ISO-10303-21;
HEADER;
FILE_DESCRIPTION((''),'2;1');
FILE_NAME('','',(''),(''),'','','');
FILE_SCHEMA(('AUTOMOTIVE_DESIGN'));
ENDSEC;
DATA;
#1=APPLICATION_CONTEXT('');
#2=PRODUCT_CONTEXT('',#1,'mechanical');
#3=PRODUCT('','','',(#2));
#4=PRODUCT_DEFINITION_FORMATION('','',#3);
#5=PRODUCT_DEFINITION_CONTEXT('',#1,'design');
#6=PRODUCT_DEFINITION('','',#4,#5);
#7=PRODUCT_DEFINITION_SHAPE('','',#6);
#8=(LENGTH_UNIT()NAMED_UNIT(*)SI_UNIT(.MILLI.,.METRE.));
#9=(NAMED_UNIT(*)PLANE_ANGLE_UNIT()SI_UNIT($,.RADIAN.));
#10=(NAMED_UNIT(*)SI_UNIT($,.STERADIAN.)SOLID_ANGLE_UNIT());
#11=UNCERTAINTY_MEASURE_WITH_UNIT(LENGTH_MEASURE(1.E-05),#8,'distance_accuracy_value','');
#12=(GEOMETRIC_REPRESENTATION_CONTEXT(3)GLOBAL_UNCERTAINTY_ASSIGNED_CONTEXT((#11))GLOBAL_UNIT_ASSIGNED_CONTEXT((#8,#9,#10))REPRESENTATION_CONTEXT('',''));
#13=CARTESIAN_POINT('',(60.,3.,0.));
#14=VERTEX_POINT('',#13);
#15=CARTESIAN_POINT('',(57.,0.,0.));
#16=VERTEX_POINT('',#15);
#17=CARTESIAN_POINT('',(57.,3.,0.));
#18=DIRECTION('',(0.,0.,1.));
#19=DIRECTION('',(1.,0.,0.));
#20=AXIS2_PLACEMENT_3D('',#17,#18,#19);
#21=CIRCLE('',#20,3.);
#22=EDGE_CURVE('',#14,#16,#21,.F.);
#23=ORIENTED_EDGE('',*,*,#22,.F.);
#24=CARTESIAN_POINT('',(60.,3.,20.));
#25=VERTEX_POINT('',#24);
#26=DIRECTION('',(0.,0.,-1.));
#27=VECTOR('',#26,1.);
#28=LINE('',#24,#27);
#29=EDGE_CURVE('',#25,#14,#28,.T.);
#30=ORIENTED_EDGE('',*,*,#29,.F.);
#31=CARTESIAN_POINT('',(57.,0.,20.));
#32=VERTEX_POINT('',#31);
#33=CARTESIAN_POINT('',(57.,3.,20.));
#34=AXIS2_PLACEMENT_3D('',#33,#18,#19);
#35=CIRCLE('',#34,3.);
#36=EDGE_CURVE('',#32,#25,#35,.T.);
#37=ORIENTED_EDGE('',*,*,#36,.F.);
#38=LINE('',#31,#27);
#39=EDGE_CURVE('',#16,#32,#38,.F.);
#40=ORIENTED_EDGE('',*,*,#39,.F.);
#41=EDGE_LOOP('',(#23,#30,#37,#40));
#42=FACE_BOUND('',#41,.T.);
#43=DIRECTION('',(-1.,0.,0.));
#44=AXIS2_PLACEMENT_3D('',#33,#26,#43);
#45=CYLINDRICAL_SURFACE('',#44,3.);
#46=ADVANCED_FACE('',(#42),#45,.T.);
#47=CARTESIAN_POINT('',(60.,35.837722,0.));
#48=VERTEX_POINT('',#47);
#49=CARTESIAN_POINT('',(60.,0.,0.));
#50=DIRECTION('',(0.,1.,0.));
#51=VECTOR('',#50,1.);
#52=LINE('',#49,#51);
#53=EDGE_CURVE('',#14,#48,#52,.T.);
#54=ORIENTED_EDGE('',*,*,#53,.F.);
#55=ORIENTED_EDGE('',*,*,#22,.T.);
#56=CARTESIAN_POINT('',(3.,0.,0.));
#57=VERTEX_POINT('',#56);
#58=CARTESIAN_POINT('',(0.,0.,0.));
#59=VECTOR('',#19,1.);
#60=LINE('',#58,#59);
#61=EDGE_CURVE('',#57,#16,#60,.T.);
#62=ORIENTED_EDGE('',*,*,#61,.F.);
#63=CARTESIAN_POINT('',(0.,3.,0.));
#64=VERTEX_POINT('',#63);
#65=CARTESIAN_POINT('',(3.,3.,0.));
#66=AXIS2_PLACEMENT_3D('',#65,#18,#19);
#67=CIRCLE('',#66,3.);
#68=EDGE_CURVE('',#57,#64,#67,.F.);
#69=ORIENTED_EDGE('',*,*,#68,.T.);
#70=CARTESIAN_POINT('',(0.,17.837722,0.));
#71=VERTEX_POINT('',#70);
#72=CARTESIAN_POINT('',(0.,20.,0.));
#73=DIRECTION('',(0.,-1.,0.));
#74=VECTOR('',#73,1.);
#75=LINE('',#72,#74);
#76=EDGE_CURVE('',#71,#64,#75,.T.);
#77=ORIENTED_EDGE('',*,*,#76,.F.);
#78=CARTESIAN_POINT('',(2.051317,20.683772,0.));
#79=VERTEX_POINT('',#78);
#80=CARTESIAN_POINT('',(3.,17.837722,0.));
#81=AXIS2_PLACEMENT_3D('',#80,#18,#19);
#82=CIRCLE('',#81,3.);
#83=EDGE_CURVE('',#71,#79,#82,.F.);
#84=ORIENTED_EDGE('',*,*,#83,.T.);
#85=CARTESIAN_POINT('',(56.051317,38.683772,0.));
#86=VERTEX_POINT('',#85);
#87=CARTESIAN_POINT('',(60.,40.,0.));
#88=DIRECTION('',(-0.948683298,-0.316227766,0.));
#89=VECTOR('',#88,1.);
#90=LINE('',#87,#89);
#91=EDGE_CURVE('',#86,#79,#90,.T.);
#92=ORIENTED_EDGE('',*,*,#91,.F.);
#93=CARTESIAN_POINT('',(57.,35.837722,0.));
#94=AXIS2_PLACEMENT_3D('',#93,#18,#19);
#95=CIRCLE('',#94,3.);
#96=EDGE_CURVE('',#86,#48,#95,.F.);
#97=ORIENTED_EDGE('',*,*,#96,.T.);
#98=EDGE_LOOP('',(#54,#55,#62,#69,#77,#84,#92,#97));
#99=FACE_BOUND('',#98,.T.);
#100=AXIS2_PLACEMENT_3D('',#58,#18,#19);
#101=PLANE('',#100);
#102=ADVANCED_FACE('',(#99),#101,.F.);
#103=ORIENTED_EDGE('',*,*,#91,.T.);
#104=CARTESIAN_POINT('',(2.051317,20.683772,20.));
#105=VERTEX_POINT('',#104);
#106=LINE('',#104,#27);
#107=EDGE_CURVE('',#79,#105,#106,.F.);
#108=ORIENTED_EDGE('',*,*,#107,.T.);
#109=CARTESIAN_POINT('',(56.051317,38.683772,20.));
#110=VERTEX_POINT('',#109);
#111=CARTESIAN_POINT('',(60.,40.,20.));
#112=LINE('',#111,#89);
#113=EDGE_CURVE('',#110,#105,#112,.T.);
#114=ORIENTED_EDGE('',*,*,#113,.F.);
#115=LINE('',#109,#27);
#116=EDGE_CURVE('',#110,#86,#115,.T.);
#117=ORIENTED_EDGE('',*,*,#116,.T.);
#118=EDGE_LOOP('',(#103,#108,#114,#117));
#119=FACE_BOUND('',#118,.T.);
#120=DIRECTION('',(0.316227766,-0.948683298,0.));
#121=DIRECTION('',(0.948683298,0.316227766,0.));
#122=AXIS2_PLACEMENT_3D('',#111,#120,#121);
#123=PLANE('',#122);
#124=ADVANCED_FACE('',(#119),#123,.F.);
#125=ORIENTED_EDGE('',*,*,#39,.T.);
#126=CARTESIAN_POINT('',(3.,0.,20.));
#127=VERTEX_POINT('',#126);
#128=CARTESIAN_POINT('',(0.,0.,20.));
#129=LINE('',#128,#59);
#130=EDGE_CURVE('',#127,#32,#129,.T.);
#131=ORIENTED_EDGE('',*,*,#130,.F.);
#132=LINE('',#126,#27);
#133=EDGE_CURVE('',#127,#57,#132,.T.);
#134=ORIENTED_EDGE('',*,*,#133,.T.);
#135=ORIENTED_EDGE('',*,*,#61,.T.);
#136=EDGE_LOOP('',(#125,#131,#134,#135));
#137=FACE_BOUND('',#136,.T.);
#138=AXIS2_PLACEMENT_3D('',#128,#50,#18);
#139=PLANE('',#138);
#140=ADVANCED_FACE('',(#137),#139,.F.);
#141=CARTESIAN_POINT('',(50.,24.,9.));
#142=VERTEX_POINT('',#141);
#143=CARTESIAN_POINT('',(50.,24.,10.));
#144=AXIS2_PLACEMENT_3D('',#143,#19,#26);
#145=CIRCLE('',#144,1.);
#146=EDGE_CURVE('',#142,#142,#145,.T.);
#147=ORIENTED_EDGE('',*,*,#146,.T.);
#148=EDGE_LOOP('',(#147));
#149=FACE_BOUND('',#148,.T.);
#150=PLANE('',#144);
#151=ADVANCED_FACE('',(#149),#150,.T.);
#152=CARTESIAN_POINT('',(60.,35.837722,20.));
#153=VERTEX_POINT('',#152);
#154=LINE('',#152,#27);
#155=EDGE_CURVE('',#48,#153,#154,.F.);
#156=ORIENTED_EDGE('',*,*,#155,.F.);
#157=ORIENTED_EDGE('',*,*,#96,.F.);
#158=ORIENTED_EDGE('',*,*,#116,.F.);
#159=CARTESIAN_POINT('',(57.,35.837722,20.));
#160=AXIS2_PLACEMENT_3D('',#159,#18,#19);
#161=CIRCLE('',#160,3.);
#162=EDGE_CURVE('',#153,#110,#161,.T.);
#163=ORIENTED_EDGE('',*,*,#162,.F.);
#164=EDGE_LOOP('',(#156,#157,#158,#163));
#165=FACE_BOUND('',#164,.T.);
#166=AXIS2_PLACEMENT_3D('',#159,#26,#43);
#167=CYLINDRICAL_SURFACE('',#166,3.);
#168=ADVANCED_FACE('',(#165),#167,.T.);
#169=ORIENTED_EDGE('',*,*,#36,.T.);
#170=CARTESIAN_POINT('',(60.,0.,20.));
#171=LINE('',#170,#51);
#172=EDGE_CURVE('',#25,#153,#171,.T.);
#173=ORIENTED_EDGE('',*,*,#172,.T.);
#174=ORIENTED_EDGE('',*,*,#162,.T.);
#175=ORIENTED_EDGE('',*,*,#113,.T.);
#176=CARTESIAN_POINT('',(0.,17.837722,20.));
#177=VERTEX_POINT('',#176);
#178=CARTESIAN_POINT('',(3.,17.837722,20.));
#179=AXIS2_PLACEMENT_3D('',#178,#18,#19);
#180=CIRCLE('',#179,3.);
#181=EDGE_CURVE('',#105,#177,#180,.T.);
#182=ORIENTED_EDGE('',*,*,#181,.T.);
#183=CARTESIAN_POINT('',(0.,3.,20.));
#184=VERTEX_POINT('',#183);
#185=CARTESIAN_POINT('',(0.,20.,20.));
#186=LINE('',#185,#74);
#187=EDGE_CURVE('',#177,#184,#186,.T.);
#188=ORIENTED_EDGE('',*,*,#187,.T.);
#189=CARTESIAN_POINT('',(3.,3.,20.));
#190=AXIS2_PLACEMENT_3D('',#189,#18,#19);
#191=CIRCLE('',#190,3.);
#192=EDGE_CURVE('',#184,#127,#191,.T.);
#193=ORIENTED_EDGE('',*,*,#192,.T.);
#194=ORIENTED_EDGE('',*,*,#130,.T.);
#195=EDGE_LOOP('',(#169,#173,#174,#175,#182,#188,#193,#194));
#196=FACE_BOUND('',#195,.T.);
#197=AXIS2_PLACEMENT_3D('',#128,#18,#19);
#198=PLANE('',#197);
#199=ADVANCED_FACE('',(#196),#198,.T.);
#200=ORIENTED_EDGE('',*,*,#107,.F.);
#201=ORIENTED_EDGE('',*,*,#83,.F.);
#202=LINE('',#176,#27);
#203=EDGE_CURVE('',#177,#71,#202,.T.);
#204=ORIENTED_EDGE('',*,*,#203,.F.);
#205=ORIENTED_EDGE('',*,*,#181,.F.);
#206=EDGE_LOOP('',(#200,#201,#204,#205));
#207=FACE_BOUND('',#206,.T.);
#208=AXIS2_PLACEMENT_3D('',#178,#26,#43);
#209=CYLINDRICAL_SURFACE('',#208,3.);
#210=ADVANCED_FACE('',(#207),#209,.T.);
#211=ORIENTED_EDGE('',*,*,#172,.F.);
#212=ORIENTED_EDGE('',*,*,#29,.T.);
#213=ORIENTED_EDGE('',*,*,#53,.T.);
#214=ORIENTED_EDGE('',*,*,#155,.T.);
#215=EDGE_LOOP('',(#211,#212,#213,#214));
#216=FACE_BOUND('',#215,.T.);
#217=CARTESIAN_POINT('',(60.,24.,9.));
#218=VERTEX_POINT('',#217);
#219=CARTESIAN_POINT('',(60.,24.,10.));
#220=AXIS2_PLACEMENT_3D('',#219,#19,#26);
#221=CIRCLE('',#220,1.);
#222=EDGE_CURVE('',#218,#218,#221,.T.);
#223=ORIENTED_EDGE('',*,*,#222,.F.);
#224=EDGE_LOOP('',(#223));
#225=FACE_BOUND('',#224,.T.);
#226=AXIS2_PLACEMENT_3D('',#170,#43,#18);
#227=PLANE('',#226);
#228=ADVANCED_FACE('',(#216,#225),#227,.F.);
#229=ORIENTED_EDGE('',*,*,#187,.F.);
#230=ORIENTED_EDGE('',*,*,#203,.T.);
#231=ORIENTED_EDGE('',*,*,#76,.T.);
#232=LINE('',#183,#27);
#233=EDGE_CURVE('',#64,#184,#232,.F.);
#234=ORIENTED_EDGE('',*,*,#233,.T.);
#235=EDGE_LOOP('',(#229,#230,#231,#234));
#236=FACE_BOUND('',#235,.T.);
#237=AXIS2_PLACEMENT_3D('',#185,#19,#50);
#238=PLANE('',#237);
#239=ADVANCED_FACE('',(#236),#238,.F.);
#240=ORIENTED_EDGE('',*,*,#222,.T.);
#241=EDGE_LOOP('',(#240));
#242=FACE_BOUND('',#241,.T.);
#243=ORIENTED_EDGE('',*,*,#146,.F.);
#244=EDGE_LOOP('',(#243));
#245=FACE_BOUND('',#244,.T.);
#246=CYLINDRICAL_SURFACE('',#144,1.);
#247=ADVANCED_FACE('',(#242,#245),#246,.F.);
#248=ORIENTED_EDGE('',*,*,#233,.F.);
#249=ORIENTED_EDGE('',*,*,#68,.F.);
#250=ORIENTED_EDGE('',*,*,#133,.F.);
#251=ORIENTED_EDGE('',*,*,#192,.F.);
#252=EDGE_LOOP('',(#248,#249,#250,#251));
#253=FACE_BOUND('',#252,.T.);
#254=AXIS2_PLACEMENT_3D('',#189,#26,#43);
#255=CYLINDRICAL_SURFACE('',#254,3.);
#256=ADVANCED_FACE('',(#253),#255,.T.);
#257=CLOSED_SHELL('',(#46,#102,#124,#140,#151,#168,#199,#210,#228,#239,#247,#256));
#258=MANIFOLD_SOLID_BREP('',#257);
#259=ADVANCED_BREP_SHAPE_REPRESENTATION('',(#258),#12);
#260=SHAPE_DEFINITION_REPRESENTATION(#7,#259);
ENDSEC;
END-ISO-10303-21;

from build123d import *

# Parameters (mm, degrees)
BOSS_EXTRU_1_DEPTH      = 20
CONG_1_R                = 3
ESQUISSE2_R             = 1
ENL_V_MAT_EXTRU_1_DEPTH = 10


with BuildPart() as part:
    # Esquisse1 → Boss.-Extru.1 (new body)
    with BuildSketch(Plane.XY):
        Polygon((0, 0), (60, 0), (60, 40), (0, 20), align=None)
    extrude(amount=BOSS_EXTRU_1_DEPTH)

    # Congé1
    cong_1_edges = [part.edges().sort_by_distance(p)[0] for p in [
        (0, 20, 10),
        (60, 40, 10),
        (60, 0, 10),
        (0, 0, 10),
    ]]
    fillet(cong_1_edges, radius=CONG_1_R)

    # Esquisse2 → Enlèv. mat.-Extru.1 (cut)
    with BuildSketch(Plane(origin=(60, 0, 0), x_dir=(0, 0, -1), z_dir=(1, 0, 0))):
        with Locations((-10, 24)):
            Circle(ESQUISSE2_R)
    extrude(amount=-ENL_V_MAT_EXTRU_1_DEPTH, mode=Mode.SUBTRACT)


solid = part.part
